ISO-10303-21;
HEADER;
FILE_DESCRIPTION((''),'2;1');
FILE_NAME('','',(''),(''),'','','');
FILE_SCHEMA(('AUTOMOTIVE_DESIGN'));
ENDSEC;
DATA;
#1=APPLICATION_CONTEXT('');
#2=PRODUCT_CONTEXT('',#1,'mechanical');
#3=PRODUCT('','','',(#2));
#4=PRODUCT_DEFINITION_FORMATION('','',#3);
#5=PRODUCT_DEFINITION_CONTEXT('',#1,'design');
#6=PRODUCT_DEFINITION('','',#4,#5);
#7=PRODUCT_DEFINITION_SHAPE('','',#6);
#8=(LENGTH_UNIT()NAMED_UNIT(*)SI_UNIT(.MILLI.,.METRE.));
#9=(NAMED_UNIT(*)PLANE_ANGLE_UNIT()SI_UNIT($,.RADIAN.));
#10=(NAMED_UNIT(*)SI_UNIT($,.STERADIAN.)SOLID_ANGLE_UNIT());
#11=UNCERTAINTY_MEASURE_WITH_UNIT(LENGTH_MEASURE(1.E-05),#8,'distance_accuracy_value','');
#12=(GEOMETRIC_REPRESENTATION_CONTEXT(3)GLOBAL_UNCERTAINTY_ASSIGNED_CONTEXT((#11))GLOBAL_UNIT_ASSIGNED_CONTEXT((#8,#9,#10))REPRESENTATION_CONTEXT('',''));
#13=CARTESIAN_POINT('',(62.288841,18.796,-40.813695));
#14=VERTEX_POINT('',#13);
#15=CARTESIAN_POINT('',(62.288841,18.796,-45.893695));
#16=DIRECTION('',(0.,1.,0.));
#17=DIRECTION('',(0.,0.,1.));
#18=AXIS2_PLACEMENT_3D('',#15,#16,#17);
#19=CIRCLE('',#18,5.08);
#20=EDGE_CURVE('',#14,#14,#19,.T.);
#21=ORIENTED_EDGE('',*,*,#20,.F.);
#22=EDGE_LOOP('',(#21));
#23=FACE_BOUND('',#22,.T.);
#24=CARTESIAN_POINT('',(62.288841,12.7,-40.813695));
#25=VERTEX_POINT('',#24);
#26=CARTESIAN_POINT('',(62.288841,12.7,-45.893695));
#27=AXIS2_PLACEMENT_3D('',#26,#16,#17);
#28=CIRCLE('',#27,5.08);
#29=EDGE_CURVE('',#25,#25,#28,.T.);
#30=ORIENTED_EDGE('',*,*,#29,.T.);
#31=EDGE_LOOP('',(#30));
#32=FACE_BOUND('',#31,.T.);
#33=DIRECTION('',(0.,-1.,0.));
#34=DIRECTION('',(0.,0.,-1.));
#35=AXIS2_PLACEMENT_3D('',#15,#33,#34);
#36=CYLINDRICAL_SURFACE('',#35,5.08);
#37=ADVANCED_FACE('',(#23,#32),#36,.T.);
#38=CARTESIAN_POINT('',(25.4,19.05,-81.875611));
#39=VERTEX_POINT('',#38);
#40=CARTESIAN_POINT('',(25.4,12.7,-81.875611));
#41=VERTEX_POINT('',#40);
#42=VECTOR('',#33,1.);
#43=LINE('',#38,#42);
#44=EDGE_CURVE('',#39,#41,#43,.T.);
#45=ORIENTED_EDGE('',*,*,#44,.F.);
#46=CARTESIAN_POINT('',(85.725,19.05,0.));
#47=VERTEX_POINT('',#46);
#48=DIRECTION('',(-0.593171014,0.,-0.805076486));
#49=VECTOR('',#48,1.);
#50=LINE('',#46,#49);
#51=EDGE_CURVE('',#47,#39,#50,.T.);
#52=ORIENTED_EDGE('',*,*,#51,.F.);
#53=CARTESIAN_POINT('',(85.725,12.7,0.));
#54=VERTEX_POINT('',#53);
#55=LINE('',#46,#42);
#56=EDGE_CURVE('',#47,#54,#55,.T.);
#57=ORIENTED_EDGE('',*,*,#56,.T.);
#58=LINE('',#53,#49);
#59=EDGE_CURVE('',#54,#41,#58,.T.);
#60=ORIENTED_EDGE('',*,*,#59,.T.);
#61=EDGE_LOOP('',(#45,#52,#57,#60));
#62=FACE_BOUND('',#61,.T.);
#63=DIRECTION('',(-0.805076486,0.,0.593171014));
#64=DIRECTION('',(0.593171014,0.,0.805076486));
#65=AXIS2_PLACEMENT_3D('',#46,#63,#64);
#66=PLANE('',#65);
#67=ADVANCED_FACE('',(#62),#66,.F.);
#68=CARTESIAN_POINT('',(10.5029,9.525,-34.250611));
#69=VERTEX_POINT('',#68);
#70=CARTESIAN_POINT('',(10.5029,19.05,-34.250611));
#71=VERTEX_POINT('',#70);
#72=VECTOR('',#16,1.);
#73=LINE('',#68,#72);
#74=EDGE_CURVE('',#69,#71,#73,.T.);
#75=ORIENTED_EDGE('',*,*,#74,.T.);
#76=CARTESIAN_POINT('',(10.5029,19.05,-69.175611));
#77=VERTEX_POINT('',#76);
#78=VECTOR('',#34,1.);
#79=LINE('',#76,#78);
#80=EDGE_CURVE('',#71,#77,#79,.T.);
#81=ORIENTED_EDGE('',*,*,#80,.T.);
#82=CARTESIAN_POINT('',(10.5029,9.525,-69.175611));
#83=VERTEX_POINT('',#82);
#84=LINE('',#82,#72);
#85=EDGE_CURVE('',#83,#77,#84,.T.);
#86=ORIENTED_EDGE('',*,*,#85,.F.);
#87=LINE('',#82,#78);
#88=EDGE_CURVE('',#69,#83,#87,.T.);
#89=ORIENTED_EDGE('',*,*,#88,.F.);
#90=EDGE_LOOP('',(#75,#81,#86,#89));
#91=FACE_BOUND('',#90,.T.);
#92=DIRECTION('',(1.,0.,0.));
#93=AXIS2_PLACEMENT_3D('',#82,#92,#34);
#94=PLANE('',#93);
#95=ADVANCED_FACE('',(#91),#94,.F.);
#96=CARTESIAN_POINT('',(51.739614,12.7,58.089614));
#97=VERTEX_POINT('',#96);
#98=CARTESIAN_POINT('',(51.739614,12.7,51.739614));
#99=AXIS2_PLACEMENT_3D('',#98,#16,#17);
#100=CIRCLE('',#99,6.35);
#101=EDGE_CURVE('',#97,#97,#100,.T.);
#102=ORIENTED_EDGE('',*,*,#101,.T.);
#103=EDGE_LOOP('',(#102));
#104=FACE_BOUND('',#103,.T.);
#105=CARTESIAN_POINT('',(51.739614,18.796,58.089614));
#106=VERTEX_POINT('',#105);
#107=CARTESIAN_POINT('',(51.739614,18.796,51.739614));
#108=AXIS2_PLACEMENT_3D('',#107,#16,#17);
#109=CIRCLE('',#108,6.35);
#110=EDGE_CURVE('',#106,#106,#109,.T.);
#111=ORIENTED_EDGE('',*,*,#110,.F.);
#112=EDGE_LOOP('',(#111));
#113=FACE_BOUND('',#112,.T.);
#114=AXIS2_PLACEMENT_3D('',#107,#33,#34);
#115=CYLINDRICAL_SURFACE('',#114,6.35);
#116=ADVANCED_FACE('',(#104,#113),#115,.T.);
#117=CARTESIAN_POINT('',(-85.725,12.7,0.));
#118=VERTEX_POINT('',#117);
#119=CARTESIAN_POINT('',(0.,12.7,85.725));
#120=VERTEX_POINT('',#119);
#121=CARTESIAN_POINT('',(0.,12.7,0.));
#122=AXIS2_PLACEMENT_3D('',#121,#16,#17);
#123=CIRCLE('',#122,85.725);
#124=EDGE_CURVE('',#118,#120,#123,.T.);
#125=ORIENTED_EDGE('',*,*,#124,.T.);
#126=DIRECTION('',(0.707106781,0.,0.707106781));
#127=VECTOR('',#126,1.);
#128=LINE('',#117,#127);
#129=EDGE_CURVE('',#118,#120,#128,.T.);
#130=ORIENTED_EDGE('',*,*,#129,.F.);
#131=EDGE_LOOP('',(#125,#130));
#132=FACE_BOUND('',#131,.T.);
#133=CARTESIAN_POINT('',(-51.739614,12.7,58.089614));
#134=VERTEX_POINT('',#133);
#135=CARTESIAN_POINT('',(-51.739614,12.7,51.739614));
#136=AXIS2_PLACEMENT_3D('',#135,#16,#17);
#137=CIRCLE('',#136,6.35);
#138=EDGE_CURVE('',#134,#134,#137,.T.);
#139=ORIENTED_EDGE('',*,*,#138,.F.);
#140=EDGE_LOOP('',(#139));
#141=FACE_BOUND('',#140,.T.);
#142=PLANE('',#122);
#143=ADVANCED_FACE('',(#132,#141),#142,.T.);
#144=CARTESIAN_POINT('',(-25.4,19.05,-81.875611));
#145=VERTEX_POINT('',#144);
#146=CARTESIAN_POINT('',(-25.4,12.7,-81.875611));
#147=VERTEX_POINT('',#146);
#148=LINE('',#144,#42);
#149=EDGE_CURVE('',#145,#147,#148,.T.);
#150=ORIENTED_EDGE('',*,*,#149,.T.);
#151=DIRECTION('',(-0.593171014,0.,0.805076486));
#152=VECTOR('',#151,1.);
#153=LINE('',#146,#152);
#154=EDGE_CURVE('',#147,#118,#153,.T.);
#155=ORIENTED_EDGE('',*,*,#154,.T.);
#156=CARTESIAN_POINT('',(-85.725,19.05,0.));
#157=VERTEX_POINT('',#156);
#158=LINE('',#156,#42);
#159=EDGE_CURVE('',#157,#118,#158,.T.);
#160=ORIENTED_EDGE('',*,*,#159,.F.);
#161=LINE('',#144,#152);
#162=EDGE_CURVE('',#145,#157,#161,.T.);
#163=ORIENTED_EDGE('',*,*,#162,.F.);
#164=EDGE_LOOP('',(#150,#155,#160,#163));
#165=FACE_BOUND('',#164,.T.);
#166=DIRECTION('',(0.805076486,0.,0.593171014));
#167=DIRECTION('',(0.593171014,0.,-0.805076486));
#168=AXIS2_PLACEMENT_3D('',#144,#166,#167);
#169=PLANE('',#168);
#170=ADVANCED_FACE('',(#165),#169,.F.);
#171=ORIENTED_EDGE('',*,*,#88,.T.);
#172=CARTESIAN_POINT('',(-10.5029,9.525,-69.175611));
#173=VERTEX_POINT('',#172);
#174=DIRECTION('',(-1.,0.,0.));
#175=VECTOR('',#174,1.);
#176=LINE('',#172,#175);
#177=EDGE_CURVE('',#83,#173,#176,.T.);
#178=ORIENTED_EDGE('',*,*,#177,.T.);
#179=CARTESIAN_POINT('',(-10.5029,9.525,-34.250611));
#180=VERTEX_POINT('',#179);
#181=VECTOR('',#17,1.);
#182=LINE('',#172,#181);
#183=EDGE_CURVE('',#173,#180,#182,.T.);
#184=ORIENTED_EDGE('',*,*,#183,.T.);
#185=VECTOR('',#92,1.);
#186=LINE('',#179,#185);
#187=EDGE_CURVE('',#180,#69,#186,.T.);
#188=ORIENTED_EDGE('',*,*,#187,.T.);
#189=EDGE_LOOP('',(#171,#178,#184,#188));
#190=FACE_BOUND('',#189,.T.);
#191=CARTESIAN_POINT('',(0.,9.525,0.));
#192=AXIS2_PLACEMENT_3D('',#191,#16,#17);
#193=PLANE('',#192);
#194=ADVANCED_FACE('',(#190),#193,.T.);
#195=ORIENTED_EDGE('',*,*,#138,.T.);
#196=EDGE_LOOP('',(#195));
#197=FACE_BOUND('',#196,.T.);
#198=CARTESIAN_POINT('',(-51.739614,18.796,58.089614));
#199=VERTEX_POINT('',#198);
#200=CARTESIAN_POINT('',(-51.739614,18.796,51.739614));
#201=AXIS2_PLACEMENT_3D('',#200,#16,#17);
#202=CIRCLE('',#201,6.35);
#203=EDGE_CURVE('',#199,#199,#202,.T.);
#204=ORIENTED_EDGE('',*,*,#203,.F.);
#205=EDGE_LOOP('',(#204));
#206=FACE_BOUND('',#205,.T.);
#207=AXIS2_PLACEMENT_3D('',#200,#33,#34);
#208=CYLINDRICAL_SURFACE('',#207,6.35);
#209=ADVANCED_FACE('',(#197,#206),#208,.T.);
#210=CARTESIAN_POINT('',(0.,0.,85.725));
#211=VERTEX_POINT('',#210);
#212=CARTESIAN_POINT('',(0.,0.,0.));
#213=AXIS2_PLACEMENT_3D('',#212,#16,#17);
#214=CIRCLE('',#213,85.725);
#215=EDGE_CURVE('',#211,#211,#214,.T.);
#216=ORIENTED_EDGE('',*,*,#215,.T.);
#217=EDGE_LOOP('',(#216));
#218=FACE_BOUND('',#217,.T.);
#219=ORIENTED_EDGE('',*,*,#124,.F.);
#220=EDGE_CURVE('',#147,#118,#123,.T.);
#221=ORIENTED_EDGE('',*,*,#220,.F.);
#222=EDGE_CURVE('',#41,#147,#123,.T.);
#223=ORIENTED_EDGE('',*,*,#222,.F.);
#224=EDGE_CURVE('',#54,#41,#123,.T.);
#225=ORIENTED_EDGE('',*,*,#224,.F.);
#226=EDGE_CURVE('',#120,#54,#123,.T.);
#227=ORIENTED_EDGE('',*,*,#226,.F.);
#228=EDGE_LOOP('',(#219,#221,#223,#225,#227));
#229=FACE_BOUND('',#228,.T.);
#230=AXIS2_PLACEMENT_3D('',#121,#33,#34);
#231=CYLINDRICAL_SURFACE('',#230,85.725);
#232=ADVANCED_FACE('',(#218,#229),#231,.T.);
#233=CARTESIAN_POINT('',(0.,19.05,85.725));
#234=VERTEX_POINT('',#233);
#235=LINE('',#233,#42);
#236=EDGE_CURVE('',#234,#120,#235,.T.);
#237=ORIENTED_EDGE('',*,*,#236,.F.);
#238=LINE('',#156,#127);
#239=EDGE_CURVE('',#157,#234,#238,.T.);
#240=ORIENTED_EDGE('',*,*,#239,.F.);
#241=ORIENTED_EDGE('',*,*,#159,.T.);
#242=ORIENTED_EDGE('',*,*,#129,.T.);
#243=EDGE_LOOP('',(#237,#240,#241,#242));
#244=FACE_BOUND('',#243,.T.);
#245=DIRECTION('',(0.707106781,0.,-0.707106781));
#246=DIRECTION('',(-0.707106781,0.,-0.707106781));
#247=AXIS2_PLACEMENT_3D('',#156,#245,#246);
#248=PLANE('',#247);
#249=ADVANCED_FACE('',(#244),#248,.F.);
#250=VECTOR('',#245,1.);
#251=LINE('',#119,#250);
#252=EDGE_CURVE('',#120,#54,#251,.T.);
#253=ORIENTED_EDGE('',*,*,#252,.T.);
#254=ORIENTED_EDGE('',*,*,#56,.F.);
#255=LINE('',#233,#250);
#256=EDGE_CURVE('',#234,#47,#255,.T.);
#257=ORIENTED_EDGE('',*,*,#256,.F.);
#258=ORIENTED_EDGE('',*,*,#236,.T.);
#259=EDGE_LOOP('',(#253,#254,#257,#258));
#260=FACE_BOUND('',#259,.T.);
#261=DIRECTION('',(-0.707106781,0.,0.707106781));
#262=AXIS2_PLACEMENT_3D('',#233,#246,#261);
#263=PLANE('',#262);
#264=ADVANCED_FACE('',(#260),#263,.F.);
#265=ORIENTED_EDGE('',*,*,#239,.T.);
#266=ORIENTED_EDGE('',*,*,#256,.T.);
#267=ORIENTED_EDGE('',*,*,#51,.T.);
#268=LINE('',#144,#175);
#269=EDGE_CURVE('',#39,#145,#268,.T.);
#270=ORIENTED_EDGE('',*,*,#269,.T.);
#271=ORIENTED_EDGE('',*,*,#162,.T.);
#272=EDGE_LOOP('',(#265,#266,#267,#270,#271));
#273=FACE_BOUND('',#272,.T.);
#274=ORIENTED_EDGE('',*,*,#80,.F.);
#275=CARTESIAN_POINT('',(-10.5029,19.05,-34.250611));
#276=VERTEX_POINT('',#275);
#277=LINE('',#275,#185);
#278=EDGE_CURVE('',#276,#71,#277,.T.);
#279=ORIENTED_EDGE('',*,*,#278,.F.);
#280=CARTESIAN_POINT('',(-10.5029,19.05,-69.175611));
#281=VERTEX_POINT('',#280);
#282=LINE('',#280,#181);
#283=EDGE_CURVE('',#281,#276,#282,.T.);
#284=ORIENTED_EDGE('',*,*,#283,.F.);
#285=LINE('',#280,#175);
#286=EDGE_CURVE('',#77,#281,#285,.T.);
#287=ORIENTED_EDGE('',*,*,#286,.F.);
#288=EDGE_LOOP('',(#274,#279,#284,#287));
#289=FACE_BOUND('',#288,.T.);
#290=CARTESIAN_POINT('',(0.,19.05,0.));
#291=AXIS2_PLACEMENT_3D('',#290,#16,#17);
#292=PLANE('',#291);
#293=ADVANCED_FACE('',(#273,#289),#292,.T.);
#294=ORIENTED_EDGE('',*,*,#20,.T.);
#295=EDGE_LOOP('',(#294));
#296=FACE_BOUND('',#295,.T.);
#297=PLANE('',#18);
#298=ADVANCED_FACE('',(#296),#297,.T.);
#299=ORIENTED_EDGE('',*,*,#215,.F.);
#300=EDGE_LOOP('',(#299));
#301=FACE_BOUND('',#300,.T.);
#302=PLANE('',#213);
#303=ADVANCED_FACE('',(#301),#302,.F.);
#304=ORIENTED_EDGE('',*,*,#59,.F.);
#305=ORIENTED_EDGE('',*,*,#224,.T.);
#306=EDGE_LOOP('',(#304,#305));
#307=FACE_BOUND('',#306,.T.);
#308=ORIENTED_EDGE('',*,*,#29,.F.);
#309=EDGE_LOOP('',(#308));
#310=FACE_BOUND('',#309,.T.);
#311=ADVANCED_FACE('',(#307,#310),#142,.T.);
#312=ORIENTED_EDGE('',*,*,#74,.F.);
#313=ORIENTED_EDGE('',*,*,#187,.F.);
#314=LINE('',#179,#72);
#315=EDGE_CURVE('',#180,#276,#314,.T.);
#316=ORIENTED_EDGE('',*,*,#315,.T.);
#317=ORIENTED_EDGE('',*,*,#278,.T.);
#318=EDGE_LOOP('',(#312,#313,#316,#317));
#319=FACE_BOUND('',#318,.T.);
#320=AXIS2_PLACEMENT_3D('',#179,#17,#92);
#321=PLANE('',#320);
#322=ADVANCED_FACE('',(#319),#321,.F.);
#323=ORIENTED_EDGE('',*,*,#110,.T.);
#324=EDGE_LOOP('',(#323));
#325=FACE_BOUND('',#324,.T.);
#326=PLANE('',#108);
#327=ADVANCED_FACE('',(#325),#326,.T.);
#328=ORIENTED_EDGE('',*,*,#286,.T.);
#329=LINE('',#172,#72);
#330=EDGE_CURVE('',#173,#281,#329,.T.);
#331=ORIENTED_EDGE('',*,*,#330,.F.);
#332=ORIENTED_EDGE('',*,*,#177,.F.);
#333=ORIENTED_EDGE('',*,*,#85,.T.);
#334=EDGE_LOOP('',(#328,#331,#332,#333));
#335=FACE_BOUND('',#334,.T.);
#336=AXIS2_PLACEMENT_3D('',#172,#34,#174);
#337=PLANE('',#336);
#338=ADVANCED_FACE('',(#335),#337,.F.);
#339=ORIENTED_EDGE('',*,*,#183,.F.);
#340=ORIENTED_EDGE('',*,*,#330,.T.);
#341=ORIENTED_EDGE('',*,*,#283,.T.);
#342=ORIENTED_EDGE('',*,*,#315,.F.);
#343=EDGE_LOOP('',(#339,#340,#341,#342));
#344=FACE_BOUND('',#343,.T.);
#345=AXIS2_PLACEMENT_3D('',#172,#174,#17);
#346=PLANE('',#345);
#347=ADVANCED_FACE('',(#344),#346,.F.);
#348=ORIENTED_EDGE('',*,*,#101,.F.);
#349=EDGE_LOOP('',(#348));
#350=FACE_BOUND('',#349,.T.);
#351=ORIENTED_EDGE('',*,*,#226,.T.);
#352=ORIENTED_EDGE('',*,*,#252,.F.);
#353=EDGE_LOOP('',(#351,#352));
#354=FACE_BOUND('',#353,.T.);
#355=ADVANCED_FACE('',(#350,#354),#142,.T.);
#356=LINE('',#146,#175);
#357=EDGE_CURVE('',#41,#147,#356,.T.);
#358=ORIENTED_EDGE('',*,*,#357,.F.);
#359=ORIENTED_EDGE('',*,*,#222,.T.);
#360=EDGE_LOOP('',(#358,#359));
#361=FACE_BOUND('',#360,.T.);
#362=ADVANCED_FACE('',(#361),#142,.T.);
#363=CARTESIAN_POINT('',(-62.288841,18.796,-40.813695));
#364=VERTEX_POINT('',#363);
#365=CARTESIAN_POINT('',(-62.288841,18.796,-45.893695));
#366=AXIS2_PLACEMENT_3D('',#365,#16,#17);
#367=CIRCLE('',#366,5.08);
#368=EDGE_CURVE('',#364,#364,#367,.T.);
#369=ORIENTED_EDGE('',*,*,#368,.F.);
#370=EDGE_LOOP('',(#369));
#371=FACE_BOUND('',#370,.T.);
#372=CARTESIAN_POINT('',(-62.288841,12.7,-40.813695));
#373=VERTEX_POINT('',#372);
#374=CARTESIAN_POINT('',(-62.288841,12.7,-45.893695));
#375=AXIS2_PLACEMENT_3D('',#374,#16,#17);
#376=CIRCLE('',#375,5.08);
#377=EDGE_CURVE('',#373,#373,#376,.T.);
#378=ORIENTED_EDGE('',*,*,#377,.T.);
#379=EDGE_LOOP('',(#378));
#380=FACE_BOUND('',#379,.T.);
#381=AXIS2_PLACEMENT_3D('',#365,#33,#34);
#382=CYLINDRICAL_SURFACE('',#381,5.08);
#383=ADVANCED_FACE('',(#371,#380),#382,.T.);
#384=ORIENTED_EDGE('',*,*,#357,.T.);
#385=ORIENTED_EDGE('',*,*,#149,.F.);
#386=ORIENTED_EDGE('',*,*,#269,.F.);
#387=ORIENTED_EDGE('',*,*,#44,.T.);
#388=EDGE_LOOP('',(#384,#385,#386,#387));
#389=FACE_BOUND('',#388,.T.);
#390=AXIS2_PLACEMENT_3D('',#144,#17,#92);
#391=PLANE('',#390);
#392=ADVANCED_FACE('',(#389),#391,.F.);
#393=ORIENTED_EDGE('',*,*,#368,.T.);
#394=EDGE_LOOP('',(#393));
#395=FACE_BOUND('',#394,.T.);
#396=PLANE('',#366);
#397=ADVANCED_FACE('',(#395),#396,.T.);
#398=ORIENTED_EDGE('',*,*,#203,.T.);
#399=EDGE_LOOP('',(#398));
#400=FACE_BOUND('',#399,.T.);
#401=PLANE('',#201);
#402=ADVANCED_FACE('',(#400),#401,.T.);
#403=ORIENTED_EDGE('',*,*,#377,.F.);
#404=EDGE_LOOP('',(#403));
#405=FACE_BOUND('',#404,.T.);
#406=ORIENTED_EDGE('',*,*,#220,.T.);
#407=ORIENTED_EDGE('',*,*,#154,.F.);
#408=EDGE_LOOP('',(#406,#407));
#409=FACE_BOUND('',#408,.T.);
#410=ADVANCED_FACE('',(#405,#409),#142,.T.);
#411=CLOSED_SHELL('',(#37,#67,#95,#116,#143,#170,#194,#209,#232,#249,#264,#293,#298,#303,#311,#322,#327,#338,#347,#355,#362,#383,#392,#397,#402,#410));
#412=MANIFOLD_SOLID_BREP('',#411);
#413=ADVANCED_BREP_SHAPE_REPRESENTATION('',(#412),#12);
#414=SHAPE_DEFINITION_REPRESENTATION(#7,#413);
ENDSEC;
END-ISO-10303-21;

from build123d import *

# Parameters (mm, degrees)
SKETCH1_R           = 85.725
BOSS_EXTRUDE1_DEPTH = 12.7
BOSS_EXTRUDE2_DEPTH = 6.35
SKETCH3_R           = 6.35
SKETCH3_R_2         = 5.08
BOSS_EXTRUDE3_DEPTH = 6.096
SKETCH4_W           = 21.0058
SKETCH4_H           = 34.925
CUT_EXTRUDE1_DEPTH  = 9.525


with BuildPart() as part:
    # Sketch1 → Boss-Extrude1 (new body)
    with BuildSketch(Plane(origin=(0, 0, 0), x_dir=(1, 0, 0), z_dir=(0, 1, 0))):
        Circle(SKETCH1_R)
    extrude(amount=BOSS_EXTRUDE1_DEPTH)

    # Sketch2 → Boss-Extrude2 (add)
    with BuildSketch(Plane(origin=(0, 12.7, 0), x_dir=(1, 0, 0), z_dir=(0, 1, 0))):
        Polygon((-25.4, 81.875610685), (25.4, 81.875610685), (85.725, 0), (0, -85.725), (-85.725, 0), align=None)
    extrude(amount=BOSS_EXTRUDE2_DEPTH)

    # Sketch3 → Boss-Extrude3 (add)
    with BuildSketch(Plane(origin=(0, 12.7, 0), x_dir=(1, 0, 0), z_dir=(0, 1, 0))):
        with Locations((-51.739614409, -51.739614409)):
            Circle(SKETCH3_R)
        with Locations((51.739614409, -51.739614409)):
            Circle(SKETCH3_R)
        with Locations((62.288840877, 45.893695259)):
            Circle(SKETCH3_R_2)
        with Locations((-62.288840877, 45.893695259)):
            Circle(SKETCH3_R_2)
    extrude(amount=BOSS_EXTRUDE3_DEPTH)

    # Sketch4 → Cut-Extrude1 (cut)
    with BuildSketch(Plane(origin=(0, 19.05, 0), x_dir=(1, 0, 0), z_dir=(0, 1, 0))):
        with Locations((0, 51.713110685)):
            Rectangle(SKETCH4_W, SKETCH4_H)
    extrude(amount=-CUT_EXTRUDE1_DEPTH, mode=Mode.SUBTRACT)


solid = part.part
